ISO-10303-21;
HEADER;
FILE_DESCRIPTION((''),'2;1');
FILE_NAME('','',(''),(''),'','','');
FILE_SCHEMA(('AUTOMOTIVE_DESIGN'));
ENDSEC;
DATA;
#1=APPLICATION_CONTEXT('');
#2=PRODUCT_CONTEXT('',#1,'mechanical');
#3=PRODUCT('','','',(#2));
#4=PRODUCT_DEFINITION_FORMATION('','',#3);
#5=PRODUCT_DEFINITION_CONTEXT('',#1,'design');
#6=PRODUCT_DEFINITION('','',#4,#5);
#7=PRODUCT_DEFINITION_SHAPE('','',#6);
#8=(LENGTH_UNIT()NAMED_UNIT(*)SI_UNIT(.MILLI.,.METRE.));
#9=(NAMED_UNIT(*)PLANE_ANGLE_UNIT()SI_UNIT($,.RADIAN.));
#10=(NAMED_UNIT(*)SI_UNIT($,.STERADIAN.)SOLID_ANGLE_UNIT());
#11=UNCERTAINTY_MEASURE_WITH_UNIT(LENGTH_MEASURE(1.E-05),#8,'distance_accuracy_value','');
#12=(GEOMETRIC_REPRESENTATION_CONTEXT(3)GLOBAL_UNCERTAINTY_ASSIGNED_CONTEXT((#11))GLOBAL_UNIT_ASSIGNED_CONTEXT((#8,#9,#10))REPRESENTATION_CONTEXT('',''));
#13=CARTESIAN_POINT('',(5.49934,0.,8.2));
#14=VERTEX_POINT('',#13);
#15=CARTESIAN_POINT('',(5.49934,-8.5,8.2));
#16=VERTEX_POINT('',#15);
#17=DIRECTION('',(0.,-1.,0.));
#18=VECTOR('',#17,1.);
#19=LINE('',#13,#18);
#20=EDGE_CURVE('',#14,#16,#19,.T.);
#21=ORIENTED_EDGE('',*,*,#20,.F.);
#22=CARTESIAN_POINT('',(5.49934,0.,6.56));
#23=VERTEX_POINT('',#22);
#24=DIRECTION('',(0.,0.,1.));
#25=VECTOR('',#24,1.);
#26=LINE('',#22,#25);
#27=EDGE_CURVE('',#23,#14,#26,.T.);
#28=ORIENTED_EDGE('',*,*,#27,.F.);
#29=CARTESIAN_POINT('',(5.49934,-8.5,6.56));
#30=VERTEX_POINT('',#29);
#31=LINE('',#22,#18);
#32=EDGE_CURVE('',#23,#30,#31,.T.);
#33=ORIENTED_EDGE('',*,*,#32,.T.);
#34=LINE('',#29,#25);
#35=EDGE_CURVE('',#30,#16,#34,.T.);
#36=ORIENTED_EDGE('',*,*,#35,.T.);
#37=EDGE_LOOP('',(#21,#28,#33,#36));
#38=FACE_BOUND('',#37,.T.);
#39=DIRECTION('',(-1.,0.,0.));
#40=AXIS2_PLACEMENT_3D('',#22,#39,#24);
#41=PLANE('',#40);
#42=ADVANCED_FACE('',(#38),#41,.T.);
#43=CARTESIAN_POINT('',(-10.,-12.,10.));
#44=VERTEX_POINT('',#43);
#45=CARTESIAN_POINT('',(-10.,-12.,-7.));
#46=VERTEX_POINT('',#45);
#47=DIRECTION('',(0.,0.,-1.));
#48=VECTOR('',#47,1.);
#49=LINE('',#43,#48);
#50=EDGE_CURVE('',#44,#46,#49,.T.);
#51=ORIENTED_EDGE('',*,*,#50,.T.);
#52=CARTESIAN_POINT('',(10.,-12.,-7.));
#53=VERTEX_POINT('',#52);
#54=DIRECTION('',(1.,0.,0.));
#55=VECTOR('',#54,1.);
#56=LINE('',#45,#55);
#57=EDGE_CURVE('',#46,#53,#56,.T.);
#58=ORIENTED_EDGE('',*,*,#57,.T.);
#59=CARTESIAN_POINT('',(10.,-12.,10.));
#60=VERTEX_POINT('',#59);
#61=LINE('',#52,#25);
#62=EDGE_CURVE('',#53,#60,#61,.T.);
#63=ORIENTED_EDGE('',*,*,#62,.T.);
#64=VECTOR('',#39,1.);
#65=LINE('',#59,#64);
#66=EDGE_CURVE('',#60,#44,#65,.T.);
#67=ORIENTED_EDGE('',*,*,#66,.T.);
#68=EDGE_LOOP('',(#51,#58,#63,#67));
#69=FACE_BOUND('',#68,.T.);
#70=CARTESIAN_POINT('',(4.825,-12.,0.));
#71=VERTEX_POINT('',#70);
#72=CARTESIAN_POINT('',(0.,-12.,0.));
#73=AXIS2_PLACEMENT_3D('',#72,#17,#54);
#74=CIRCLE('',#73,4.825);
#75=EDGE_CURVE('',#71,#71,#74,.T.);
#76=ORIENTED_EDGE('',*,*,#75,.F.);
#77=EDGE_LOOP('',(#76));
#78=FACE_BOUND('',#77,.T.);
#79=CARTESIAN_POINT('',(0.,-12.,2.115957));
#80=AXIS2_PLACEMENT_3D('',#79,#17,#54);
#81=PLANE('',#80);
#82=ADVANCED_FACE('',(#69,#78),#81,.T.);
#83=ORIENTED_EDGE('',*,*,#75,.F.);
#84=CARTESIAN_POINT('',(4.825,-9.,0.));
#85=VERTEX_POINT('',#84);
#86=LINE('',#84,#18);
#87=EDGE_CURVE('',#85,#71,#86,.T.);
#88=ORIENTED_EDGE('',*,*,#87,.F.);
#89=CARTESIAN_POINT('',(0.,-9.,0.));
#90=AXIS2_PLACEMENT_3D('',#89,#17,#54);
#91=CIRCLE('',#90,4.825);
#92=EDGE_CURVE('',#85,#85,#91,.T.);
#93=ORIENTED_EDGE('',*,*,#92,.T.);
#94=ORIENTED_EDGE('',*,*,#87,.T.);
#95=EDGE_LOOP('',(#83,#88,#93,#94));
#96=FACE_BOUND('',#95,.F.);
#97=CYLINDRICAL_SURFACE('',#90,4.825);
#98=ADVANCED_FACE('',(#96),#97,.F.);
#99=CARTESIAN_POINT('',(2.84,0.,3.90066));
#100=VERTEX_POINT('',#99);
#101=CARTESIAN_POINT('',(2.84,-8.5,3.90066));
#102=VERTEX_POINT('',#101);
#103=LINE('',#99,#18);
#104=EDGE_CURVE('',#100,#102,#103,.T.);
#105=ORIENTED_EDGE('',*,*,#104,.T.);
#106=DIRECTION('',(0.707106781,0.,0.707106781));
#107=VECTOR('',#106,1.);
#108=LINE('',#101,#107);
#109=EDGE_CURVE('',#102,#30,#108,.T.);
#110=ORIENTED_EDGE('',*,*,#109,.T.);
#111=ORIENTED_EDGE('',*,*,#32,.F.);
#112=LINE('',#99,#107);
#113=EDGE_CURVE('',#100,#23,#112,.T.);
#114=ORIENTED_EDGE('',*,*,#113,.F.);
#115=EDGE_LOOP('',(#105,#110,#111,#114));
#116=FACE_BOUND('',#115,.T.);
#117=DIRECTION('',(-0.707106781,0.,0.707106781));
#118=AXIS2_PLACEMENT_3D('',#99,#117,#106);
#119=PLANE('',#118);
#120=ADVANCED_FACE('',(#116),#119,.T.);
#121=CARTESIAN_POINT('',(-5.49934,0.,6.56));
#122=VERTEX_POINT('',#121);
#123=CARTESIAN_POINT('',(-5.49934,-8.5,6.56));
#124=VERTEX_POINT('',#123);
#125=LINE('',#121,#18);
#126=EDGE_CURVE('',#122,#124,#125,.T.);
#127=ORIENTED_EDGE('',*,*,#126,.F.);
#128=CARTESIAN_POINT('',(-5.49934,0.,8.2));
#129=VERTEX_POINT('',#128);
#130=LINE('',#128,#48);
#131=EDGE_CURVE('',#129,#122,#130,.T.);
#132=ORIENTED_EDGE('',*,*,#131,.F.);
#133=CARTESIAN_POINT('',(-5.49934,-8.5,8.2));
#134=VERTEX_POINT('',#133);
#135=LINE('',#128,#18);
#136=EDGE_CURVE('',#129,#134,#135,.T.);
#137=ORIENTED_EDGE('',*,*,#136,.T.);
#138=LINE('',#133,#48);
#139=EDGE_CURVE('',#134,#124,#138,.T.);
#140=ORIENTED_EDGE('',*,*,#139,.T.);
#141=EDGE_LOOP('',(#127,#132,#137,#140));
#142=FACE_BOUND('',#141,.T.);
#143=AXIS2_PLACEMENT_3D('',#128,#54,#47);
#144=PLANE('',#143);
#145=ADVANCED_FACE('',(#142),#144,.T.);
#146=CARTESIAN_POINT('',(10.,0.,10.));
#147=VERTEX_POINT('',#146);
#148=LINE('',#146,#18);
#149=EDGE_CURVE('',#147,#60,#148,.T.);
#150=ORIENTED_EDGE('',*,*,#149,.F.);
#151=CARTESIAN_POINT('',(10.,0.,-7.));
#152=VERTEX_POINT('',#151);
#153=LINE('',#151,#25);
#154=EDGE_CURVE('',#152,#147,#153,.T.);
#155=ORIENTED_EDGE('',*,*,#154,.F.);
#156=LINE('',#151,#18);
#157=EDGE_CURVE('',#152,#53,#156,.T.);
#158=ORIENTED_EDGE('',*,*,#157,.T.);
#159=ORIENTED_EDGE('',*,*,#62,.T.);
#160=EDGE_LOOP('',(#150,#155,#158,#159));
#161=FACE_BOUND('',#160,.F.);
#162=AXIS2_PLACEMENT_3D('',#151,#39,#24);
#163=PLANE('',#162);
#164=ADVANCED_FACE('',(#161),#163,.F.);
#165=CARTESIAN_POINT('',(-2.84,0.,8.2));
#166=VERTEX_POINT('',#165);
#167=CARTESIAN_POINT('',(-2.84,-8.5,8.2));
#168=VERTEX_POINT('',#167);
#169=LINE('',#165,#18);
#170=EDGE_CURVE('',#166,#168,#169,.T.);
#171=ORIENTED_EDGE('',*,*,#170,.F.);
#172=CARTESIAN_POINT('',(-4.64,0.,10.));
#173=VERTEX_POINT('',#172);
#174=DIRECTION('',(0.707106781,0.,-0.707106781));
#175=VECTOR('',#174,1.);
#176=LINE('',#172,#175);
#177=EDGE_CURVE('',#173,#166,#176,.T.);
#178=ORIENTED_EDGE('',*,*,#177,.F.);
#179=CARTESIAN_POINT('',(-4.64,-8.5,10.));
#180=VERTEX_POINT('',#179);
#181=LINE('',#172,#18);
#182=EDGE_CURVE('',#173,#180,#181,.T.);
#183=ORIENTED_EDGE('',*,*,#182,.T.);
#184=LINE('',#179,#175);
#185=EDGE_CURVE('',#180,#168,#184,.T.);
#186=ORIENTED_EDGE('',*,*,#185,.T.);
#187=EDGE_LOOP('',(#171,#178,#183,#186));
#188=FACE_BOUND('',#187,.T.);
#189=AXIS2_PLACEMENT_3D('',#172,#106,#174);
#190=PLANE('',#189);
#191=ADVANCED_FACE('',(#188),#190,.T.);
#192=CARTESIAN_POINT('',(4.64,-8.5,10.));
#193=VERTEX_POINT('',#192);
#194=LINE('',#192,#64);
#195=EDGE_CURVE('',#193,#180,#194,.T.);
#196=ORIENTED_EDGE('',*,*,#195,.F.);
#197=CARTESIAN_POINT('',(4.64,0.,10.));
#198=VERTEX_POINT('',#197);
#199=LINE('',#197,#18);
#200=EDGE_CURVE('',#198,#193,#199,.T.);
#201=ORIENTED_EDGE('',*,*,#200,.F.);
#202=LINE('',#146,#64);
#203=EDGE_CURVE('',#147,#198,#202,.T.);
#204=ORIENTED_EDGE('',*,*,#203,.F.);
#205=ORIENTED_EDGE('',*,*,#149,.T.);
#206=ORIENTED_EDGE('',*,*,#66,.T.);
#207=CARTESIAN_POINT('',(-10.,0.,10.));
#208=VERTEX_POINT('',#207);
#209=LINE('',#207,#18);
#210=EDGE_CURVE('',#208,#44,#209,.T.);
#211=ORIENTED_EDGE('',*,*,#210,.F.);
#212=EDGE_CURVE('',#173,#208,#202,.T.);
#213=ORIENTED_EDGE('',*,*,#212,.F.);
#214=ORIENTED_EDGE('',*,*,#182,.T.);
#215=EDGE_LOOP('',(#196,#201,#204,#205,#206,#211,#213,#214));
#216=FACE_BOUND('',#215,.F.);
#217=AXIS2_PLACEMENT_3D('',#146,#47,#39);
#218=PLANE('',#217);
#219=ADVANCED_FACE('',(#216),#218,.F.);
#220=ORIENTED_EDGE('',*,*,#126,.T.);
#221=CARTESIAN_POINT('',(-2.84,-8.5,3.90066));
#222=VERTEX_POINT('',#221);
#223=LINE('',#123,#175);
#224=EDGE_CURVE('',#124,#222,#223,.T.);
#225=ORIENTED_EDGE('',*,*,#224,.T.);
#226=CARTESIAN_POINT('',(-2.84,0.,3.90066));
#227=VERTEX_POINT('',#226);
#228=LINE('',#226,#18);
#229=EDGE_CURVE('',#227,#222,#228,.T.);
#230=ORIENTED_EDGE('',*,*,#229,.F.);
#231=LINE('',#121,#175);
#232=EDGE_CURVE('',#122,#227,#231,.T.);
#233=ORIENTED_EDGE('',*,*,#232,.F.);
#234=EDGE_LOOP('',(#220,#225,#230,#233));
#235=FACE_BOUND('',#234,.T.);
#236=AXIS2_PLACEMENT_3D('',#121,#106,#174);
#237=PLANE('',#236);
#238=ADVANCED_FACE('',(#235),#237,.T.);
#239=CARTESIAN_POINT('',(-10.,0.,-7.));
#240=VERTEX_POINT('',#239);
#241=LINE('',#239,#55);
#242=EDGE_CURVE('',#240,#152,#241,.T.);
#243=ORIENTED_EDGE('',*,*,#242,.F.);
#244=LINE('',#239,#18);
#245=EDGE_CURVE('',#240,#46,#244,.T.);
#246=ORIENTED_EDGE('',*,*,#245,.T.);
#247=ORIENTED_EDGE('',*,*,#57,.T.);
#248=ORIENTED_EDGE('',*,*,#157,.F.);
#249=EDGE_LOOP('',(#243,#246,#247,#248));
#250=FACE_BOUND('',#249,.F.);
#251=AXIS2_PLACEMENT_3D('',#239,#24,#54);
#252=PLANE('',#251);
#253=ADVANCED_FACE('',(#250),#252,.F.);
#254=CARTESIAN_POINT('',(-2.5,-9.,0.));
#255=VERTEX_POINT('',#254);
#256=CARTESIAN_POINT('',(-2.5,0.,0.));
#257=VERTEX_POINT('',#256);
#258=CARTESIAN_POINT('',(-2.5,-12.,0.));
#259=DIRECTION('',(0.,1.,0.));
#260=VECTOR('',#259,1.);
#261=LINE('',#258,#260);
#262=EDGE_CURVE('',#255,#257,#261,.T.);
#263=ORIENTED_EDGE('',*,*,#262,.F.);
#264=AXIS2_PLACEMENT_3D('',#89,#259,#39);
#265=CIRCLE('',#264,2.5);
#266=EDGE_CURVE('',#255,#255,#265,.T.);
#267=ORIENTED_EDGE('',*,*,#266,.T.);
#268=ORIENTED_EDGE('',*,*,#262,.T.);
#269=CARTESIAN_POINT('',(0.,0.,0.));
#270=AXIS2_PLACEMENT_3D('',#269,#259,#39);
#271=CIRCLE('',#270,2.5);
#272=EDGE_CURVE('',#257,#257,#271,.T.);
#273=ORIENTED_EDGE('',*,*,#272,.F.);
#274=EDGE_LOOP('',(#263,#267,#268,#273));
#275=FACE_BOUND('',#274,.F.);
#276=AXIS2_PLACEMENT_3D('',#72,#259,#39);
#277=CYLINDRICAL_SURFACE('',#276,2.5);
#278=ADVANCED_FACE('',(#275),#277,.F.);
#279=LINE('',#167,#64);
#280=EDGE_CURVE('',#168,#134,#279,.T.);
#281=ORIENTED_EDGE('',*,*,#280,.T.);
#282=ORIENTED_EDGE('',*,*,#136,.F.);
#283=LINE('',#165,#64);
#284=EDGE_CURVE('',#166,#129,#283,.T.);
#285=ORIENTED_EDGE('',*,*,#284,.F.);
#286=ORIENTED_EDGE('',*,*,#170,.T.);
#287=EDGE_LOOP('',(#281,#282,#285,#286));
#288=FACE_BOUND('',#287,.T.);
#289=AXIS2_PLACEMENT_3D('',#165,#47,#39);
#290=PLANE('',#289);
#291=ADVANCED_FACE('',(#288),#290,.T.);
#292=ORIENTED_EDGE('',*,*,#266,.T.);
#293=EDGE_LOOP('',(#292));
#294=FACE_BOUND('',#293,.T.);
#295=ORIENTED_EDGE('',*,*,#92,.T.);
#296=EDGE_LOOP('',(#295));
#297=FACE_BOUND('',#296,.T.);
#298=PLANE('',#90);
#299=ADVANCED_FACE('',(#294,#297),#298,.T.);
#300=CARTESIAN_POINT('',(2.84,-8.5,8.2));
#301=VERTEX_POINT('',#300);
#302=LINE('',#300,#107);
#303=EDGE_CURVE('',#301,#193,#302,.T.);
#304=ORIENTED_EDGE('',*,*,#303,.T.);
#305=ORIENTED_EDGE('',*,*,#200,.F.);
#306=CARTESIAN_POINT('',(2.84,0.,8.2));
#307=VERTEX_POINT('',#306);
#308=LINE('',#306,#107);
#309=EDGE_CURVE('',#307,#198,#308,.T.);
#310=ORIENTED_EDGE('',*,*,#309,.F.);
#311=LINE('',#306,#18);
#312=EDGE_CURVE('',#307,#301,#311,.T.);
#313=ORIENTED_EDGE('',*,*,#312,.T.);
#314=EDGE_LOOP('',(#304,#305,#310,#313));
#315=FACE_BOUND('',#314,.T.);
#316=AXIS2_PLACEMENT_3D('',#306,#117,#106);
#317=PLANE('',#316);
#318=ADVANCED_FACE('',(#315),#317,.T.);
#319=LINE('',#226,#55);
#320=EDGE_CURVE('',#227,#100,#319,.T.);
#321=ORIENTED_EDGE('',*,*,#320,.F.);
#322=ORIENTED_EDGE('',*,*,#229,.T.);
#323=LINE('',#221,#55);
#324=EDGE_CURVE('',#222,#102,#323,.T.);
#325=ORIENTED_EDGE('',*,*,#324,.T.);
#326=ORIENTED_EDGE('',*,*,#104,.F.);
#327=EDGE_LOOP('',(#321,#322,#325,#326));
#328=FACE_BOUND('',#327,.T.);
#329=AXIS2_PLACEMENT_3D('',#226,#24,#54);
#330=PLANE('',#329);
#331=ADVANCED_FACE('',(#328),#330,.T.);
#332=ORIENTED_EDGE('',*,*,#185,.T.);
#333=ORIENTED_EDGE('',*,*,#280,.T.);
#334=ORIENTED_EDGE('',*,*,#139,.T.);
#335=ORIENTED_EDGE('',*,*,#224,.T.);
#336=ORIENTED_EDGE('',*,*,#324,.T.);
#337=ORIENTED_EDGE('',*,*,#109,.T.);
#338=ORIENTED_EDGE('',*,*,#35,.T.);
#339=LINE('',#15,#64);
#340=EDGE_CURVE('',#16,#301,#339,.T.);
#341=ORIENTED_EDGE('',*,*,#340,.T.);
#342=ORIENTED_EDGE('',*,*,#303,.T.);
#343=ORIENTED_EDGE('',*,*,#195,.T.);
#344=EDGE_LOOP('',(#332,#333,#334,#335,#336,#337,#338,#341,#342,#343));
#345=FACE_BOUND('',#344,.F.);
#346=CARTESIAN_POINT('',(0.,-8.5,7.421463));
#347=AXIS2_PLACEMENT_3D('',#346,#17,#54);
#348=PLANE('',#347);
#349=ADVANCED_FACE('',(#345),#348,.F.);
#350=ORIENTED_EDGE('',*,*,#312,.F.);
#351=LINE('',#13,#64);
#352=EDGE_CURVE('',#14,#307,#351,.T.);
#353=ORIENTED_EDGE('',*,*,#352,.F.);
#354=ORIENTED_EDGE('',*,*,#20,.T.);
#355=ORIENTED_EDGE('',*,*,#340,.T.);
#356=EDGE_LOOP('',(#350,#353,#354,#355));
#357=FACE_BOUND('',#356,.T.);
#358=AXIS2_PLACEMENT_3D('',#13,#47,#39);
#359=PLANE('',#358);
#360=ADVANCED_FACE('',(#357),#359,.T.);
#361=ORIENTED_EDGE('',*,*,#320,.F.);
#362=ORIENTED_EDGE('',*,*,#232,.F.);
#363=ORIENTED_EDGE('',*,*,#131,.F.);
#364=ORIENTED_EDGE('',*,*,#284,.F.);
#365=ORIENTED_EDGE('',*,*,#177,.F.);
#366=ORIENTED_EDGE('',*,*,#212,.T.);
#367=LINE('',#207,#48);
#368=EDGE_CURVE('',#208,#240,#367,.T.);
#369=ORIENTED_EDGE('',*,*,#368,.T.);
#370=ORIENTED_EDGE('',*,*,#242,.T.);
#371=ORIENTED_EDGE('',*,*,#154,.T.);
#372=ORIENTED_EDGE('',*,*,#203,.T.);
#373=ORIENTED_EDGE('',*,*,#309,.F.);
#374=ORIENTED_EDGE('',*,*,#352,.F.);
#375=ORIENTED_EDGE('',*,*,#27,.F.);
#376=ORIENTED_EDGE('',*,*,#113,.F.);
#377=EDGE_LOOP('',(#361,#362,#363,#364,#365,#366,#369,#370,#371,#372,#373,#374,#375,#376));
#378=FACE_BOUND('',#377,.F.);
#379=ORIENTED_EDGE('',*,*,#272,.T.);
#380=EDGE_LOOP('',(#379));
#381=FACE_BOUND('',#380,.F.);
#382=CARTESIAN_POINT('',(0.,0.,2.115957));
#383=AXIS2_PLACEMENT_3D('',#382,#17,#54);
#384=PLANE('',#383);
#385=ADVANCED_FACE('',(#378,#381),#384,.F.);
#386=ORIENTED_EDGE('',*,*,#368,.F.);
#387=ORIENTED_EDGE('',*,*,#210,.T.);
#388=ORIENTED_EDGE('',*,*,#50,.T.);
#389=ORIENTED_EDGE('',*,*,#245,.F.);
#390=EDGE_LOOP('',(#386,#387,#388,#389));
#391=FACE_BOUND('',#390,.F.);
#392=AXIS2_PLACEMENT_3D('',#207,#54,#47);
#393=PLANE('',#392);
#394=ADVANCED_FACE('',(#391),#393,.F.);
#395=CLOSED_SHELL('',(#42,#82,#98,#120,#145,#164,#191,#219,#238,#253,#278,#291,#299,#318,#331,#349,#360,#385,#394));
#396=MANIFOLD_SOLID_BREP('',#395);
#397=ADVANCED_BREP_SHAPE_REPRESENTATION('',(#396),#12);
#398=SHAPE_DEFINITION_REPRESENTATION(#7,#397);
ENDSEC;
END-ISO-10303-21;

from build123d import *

# Parameters (mm, degrees)
F1_DEPTH       = 12
F2_DEPTH       = 8.5
F4_D           = 5
F4_CBORE_D     = 9.65
F4_CBORE_DEPTH = 3


with BuildPart() as f1:
    # F0 (on Front) → F1 (new body)
    with BuildSketch(Plane.XZ):
        Polygon((-10, 10), (-10, -7), (10, -7), (10, 10), (4.64, 10), (2.84, 8.2), (5.49934, 8.2), (5.49934, 6.56), (2.84, 3.90066), (-2.84, 3.90066), (-5.49934, 6.56), (-5.49934, 8.2), (-2.84, 8.2), (-4.64, 10), align=None)
        Polygon((4.64, 10), (-4.64, 10), (-2.84, 8.2), (-5.49934, 8.2), (-5.49934, 6.56), (-2.84, 3.90066), (2.84, 3.90066), (5.49934, 6.56), (5.49934, 8.2), (2.84, 8.2), align=None)
    extrude(amount=F1_DEPTH)

    # F0 (on Front) → F2 (cut)
    with BuildSketch(Plane.XZ):
        Polygon((4.64, 10), (-4.64, 10), (-2.84, 8.2), (-5.49934, 8.2), (-5.49934, 6.56), (-2.84, 3.90066), (2.84, 3.90066), (5.49934, 6.56), (5.49934, 8.2), (2.84, 8.2), align=None)
    extrude(amount=F2_DEPTH, mode=Mode.SUBTRACT)

    # F4 (through all)
    with Locations(Plane.XZ.offset(12)):
        with Locations((0, 0)):
            CounterBoreHole(F4_D / 2, F4_CBORE_D / 2, F4_CBORE_DEPTH)


solid = f1.part
